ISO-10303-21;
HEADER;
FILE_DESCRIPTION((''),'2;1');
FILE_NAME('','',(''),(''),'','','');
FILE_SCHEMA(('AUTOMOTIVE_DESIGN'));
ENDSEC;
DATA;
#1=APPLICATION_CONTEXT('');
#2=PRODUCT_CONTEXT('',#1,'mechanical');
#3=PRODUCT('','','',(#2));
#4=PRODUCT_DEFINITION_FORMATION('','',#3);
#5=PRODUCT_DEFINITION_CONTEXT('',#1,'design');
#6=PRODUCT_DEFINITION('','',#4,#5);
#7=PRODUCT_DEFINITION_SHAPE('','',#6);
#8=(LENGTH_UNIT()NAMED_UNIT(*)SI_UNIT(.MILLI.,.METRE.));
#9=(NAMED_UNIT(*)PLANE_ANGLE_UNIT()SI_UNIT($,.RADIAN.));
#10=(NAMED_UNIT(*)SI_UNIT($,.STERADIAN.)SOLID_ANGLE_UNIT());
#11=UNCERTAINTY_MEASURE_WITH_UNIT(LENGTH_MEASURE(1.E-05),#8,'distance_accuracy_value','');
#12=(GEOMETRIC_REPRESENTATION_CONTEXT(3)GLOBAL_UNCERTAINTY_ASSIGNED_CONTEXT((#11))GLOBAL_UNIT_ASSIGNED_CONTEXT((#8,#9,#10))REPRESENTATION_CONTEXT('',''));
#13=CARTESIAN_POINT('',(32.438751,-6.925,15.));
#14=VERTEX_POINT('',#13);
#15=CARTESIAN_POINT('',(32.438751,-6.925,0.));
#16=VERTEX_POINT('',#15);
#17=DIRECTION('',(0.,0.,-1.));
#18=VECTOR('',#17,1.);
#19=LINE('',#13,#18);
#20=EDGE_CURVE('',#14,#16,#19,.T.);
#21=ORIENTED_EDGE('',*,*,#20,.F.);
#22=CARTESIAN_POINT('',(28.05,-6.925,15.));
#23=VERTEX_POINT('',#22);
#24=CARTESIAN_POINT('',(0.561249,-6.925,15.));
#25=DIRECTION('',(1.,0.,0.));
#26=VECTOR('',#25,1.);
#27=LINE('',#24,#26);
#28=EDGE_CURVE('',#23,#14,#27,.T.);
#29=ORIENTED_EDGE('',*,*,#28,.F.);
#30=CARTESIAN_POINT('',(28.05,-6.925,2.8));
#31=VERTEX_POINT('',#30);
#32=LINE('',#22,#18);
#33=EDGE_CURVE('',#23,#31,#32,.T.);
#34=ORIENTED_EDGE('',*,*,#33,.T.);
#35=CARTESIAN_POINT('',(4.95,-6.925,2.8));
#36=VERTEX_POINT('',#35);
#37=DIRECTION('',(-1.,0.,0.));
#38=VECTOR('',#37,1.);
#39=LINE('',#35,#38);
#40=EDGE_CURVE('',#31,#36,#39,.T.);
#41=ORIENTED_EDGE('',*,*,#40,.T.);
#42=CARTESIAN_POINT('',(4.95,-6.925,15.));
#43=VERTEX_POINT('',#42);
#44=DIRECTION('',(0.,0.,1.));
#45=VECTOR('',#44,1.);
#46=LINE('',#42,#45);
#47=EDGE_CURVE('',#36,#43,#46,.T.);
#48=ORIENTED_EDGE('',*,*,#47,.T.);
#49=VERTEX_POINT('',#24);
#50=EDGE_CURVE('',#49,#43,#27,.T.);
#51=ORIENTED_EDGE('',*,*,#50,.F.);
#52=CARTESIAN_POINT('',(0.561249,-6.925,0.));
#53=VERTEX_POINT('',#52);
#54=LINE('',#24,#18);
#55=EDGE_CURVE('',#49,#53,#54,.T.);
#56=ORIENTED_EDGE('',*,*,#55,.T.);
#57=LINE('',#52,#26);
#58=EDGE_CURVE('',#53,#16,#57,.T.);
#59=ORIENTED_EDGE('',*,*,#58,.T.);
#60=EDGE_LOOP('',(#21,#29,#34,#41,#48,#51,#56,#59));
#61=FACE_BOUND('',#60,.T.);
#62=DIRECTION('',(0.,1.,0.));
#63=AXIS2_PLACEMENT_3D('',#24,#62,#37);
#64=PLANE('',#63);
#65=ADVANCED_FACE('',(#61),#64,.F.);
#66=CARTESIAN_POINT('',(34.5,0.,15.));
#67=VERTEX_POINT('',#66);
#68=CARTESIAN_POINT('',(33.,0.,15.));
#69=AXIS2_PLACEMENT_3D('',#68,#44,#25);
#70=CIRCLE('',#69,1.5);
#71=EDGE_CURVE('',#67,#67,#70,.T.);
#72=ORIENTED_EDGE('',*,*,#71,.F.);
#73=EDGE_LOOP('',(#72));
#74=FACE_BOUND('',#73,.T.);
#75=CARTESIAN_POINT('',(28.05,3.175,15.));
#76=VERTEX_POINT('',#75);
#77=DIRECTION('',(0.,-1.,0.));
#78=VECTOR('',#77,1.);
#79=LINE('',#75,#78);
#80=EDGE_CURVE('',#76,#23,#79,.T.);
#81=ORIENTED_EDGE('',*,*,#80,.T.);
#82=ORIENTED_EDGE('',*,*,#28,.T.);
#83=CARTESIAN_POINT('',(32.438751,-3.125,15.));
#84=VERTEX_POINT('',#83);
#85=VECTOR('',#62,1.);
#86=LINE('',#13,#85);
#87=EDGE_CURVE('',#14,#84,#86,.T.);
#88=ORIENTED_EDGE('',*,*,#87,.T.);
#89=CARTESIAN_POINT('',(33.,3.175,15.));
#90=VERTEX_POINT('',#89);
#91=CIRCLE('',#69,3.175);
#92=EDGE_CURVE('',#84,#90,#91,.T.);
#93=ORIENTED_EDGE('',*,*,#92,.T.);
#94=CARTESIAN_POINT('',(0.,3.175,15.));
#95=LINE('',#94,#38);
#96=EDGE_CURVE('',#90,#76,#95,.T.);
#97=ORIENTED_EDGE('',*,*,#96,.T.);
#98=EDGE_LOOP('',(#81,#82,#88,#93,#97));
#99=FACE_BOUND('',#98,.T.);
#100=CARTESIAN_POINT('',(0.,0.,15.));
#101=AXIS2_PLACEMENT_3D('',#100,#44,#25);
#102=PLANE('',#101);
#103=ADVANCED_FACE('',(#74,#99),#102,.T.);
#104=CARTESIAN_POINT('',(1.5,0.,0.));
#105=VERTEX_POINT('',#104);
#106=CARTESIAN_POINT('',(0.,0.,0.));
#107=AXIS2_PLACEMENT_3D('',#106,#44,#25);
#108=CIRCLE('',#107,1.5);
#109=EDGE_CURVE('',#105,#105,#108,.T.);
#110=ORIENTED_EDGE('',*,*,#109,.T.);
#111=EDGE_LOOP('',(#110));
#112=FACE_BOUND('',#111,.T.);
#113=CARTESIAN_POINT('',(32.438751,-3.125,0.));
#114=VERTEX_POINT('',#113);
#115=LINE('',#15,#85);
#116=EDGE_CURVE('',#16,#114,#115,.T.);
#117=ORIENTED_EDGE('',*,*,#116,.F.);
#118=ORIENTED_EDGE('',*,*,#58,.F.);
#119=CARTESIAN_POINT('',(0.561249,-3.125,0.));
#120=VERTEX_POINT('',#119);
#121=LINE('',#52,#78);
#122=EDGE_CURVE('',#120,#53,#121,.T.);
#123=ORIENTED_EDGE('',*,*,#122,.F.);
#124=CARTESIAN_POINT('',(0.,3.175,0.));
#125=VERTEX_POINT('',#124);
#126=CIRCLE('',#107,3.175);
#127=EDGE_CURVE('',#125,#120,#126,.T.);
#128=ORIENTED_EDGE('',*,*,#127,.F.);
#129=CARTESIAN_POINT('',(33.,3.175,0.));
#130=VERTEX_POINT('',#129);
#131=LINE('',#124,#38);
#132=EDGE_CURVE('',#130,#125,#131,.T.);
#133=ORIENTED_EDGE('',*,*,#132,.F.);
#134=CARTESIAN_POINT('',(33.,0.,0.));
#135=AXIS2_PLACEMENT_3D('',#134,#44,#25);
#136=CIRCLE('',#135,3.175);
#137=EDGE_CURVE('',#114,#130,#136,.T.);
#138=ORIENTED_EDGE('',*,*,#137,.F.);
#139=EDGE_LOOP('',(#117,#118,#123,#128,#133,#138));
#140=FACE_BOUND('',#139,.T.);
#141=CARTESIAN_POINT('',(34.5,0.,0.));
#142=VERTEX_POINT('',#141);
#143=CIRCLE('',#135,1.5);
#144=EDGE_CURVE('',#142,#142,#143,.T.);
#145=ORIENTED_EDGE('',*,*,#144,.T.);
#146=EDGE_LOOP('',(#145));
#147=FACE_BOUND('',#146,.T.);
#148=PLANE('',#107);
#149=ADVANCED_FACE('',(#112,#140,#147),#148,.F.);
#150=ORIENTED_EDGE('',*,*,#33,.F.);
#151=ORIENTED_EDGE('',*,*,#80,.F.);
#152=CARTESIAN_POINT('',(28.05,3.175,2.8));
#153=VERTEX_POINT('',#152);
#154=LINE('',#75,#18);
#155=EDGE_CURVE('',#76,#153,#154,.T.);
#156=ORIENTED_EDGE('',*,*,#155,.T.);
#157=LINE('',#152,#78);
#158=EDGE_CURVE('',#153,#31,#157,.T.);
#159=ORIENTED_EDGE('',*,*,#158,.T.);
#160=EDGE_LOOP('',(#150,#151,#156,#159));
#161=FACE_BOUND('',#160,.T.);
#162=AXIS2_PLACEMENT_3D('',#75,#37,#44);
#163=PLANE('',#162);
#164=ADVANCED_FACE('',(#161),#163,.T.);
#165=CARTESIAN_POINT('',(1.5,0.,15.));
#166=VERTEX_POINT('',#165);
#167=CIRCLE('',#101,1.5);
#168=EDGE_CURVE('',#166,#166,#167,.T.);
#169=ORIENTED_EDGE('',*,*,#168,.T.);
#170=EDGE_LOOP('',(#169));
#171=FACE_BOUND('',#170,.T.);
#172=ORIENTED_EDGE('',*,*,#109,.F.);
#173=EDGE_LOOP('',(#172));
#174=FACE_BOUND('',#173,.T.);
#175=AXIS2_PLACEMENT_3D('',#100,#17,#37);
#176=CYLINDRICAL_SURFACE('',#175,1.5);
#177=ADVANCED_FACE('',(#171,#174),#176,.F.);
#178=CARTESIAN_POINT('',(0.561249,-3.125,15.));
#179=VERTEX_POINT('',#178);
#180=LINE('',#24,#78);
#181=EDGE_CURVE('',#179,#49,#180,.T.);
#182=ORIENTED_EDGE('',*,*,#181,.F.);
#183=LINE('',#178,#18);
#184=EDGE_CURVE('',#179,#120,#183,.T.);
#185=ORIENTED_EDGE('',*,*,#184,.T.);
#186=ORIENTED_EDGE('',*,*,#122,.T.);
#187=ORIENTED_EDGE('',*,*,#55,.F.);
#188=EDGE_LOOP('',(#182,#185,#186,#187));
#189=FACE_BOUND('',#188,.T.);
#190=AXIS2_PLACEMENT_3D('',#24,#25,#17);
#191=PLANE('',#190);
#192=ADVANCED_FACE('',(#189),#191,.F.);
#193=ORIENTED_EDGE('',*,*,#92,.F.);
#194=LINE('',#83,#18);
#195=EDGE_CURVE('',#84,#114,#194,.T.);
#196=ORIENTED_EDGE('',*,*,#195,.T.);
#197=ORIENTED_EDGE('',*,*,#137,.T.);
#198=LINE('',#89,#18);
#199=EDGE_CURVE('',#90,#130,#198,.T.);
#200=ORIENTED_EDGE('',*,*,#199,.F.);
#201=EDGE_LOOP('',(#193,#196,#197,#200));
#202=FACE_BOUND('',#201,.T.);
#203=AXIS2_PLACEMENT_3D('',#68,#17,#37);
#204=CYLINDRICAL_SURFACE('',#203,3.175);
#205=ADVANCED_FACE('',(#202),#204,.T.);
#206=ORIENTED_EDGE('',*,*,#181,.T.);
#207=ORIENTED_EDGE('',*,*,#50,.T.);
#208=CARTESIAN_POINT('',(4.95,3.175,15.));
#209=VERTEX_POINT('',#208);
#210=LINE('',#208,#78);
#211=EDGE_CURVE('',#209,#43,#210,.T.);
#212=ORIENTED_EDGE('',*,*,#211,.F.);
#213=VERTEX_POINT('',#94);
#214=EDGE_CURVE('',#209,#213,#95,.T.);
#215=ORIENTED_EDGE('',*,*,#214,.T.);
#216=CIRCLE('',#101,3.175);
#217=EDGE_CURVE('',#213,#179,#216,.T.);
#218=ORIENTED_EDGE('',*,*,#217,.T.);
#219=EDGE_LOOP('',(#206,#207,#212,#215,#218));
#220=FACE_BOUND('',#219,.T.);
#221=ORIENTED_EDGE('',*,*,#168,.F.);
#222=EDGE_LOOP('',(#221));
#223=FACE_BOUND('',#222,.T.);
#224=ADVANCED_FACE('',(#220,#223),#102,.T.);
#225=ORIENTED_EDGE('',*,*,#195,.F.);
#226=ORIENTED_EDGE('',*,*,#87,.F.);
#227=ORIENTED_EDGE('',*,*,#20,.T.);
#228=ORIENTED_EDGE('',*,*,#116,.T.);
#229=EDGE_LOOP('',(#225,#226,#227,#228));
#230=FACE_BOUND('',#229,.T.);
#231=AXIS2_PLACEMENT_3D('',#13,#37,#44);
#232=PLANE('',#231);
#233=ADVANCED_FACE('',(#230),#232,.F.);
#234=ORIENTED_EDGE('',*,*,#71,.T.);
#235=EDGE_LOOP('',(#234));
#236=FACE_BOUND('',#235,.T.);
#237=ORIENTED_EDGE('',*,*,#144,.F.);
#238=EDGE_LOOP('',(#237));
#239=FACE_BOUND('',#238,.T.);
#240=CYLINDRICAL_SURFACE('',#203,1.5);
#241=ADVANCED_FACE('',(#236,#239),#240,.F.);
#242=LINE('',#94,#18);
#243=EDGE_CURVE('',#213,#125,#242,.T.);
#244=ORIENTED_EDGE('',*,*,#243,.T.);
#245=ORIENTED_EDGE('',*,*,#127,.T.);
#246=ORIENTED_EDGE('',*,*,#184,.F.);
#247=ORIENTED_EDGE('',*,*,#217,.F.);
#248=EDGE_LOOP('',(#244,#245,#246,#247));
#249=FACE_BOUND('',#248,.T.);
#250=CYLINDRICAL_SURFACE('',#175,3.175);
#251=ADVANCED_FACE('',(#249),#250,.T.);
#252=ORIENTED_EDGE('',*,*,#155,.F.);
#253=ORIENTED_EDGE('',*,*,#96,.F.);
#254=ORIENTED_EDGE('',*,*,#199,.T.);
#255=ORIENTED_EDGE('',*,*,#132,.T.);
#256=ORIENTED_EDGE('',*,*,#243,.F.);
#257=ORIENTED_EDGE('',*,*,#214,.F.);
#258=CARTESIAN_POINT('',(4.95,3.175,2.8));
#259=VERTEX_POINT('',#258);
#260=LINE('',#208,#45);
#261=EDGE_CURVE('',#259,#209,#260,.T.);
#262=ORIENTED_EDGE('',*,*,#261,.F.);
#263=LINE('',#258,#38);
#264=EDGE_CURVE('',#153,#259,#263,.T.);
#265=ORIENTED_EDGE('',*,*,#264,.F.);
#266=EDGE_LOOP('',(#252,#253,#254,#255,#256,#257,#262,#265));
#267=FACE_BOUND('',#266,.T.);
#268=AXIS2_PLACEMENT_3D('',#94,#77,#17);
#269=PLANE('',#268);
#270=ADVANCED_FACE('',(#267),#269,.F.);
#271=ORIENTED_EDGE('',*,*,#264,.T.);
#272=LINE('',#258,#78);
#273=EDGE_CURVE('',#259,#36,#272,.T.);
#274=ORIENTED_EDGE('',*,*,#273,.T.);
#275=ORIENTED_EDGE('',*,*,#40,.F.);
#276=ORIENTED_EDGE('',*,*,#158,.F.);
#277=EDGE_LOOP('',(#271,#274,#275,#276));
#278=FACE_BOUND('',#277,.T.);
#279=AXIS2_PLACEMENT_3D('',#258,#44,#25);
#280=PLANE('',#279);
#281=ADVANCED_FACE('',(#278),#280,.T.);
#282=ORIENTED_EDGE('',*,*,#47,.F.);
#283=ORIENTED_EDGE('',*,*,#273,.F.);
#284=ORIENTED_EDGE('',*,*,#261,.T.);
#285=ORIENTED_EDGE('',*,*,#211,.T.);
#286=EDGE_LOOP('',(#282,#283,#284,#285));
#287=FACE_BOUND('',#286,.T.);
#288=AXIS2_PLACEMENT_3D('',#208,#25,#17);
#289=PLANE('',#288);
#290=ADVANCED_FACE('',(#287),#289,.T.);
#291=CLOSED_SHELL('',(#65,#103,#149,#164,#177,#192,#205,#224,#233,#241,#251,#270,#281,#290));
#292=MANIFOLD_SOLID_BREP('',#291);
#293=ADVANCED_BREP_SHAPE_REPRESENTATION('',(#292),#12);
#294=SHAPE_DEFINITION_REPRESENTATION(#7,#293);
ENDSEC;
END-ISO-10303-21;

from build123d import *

# Parameters (mm, degrees)
ESBO_O1_R                  = 1.5
RESSALTO_EXTRUS_O1_DEPTH   = 15
CORTE_EXTRUS_O1_DEPTH      = 40.769162048
CORTE_EXTRUS_O1_DEPTH_BACK = 40.769162048
ESBO_O2_W                  = 23.1
ESBO_O2_H                  = 12.2


with BuildPart() as part:
    # Esboço1 → Ressalto-extrusão1 (new body)
    with BuildSketch(Plane.XY):
        with BuildLine():
            Line((0, 3.175), (33, 3.175))
            ThreePointArc((33, 3.175), (36.162475296, -0.281735692), (32.438751392, -3.125))
            Line((32.438751392, -3.125), (32.438751392, -6.925))
            Line((32.438751392, -6.925), (0.561248608, -6.925))
            Line((0.561248608, -6.925), (0.561248608, -3.125))
            ThreePointArc((0.561248608, -3.125), (-3.162475296, -0.281735692), (0, 3.175))
        make_face()
        Circle(ESBO_O1_R, mode=Mode.SUBTRACT)
        with Locations((33, 0)):
            Circle(ESBO_O1_R, mode=Mode.SUBTRACT)
    extrude(amount=RESSALTO_EXTRUS_O1_DEPTH)

    # Esboço2 → Corte-extrusão1 (cut, two sides: drawn at the far end of the back side and taken through both)
    with BuildSketch(Plane(origin=(0, 0, 0), x_dir=(1, 0, 0), z_dir=(0, 1, 0)).offset(-CORTE_EXTRUS_O1_DEPTH_BACK)):
        with Locations((16.5, -8.9)):
            Rectangle(ESBO_O2_W, ESBO_O2_H)
    extrude(amount=CORTE_EXTRUS_O1_DEPTH + CORTE_EXTRUS_O1_DEPTH_BACK, mode=Mode.SUBTRACT)


solid = part.part
